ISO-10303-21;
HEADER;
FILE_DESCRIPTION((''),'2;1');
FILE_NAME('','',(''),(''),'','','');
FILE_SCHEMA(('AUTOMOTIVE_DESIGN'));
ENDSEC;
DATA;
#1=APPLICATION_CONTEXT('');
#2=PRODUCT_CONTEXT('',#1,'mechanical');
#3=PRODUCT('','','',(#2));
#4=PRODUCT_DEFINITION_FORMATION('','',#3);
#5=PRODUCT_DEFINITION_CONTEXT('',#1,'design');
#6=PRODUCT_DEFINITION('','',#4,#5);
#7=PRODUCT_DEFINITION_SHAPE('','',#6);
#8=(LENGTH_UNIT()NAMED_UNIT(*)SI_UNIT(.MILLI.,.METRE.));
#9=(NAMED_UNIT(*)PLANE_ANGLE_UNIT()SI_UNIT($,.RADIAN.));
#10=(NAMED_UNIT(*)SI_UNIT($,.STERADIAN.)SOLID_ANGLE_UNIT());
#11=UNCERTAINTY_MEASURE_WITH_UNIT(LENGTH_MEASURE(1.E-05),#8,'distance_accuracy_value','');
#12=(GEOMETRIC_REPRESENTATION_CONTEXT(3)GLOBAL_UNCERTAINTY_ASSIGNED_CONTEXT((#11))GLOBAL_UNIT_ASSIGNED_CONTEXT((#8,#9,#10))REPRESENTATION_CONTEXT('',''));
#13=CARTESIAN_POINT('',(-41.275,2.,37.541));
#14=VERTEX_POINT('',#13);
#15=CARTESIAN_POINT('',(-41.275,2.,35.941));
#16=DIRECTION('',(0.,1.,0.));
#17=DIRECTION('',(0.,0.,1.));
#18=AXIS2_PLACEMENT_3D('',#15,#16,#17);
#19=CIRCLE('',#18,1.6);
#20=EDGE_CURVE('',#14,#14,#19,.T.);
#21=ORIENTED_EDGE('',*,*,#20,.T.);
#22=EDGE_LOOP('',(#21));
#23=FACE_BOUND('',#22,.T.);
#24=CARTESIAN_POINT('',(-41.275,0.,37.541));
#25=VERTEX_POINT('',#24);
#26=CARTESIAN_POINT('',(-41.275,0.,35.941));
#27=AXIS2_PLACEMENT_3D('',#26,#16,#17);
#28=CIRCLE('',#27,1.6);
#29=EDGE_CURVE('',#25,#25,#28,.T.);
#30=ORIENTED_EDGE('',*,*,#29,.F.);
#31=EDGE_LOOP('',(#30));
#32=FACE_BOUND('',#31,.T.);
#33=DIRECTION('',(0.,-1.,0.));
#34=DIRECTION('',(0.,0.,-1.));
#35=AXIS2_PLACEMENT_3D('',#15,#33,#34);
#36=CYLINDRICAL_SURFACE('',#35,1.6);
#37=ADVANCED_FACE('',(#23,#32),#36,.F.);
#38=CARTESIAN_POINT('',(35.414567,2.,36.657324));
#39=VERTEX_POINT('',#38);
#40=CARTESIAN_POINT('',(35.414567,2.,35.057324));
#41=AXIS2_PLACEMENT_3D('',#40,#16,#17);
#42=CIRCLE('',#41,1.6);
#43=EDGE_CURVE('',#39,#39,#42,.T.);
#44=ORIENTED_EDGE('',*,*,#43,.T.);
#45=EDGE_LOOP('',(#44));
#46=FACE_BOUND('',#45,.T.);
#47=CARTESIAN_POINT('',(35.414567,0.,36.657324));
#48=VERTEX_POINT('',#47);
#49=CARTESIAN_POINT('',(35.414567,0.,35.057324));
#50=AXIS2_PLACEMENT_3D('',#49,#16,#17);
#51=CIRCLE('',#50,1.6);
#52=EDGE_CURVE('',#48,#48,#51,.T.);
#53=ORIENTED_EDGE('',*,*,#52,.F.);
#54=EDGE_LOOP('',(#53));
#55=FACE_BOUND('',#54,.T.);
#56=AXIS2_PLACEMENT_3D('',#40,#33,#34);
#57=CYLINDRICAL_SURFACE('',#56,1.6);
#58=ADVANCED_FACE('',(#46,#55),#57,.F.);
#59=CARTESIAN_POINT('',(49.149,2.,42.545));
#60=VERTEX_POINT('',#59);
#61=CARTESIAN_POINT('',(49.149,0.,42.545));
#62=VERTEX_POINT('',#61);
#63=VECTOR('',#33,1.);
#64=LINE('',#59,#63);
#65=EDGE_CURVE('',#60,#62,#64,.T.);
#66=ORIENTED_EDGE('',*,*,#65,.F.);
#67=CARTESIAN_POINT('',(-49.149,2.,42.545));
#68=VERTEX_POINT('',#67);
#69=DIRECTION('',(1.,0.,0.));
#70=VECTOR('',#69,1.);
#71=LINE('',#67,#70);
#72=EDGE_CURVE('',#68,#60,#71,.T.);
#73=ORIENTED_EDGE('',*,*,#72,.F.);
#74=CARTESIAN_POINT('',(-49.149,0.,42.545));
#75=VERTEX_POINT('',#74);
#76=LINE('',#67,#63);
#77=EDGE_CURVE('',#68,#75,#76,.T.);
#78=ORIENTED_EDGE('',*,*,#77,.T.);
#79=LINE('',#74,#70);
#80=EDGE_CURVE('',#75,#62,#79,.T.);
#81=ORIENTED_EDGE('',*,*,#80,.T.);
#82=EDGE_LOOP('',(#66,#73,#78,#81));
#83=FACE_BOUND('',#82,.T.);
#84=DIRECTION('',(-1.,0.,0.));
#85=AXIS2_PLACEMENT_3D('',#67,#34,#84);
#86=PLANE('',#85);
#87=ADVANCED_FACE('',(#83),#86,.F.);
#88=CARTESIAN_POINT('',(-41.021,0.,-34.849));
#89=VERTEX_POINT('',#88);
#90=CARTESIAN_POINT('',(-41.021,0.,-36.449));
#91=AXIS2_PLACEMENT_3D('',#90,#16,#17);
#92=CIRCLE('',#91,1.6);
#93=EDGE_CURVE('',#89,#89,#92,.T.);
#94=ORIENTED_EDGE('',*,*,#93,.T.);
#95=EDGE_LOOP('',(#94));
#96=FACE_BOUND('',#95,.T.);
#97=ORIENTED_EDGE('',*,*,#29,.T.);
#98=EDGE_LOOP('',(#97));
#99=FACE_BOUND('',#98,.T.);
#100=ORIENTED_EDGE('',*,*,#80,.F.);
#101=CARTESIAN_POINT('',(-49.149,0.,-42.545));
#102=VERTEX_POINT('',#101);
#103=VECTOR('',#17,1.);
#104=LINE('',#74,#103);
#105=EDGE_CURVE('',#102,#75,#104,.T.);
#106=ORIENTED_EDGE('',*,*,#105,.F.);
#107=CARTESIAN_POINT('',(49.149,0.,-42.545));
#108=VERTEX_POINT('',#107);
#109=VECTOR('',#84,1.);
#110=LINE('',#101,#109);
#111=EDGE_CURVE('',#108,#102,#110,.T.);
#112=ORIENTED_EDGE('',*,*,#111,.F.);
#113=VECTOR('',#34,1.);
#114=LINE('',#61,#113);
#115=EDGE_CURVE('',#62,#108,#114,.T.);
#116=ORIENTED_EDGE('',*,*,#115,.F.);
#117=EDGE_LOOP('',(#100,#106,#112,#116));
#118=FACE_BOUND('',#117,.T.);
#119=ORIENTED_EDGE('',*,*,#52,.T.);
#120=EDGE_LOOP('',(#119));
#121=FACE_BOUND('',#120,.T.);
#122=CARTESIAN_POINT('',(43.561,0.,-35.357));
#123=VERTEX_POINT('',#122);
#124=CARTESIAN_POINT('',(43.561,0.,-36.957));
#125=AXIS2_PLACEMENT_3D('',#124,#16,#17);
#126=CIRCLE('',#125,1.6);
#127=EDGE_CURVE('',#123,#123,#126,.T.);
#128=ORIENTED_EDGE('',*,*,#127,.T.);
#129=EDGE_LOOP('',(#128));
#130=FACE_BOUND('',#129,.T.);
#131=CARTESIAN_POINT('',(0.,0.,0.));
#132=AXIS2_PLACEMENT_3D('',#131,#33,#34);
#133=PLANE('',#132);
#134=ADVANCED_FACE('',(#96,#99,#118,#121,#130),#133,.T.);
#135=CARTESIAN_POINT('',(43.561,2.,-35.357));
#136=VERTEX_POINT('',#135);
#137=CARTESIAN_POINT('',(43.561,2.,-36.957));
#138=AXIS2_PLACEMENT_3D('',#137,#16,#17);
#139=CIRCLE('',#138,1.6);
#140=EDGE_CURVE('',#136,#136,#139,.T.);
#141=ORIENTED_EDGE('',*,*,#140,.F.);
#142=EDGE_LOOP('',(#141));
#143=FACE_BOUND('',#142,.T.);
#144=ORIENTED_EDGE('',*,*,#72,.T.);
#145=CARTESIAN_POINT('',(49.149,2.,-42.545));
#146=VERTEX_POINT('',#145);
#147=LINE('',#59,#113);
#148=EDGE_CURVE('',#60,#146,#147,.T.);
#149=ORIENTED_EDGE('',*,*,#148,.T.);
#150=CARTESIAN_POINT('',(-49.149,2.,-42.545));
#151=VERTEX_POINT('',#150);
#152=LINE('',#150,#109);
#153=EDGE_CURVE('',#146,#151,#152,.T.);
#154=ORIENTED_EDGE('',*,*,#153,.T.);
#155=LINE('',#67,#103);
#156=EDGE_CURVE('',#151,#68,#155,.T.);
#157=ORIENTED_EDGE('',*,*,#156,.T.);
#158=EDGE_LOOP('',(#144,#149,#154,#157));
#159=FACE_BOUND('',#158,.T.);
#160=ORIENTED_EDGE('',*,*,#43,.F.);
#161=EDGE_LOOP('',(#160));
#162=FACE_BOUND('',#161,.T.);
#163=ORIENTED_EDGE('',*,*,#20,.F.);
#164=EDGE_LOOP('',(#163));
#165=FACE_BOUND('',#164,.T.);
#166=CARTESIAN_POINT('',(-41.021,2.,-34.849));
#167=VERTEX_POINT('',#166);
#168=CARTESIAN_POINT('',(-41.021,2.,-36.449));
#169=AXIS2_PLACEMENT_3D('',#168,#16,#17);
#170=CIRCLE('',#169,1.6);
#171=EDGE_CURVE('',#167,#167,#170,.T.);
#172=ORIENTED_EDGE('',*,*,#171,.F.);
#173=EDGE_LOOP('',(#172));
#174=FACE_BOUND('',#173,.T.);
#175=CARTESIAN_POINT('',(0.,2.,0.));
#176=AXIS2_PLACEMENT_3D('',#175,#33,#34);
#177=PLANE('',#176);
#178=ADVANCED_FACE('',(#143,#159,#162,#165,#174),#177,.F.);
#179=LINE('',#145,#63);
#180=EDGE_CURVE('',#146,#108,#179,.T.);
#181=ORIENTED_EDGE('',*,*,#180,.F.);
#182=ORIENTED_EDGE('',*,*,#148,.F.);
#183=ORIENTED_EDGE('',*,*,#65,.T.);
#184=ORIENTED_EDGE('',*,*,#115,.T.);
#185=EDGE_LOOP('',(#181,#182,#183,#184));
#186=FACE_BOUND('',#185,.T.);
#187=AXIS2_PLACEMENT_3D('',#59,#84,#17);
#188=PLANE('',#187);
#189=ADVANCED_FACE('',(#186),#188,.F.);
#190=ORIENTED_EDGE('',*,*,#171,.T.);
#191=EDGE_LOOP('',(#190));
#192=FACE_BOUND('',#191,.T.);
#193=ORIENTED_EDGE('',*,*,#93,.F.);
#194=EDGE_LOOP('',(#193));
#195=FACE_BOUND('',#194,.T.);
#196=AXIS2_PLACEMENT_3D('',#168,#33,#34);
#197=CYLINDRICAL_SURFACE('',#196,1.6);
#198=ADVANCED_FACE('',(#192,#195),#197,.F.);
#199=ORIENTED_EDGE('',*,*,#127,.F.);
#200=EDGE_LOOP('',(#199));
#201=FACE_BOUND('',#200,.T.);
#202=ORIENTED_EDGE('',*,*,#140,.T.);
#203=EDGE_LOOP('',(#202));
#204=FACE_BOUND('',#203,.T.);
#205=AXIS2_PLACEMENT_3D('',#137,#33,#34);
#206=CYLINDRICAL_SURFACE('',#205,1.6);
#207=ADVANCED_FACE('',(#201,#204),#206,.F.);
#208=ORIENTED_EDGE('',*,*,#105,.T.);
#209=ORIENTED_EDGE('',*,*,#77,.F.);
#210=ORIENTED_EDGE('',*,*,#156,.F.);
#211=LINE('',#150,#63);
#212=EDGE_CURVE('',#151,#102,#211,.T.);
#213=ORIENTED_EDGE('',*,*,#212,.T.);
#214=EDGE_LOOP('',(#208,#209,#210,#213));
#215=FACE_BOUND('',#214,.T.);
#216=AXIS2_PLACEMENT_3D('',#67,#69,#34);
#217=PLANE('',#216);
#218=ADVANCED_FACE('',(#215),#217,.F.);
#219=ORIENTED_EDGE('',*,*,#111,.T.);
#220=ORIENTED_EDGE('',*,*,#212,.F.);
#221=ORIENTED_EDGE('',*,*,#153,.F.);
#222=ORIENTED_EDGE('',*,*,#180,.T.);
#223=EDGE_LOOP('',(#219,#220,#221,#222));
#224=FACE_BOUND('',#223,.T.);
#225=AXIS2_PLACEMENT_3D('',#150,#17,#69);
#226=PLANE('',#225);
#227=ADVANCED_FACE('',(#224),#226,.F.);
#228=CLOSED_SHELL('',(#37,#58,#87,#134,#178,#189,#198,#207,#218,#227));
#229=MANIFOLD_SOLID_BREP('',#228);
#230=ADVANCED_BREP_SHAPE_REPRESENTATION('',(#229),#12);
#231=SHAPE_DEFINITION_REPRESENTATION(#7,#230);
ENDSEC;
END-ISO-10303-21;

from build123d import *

# Parameters (mm, degrees)
SKETCH1_W           = 98.298
SKETCH1_H           = 85.09
SKETCH1_R           = 1.6
BOSS_EXTRUDE1_DEPTH = 2


with BuildPart() as part:
    # Sketch1 → Boss-Extrude1 (new body)
    with BuildSketch(Plane(origin=(0, 0, 0), x_dir=(1, 0, 0), z_dir=(0, 1, 0))):
        Rectangle(SKETCH1_W, SKETCH1_H)
        with Locations((-41.021, 36.449)):
            Circle(SKETCH1_R, mode=Mode.SUBTRACT)
        with Locations((43.561, 36.957)):
            Circle(SKETCH1_R, mode=Mode.SUBTRACT)
        with Locations((35.41456657, -35.057323722)):
            Circle(SKETCH1_R, mode=Mode.SUBTRACT)
        with Locations((-41.275, -35.941)):
            Circle(SKETCH1_R, mode=Mode.SUBTRACT)
    extrude(amount=BOSS_EXTRUDE1_DEPTH)


solid = part.part
